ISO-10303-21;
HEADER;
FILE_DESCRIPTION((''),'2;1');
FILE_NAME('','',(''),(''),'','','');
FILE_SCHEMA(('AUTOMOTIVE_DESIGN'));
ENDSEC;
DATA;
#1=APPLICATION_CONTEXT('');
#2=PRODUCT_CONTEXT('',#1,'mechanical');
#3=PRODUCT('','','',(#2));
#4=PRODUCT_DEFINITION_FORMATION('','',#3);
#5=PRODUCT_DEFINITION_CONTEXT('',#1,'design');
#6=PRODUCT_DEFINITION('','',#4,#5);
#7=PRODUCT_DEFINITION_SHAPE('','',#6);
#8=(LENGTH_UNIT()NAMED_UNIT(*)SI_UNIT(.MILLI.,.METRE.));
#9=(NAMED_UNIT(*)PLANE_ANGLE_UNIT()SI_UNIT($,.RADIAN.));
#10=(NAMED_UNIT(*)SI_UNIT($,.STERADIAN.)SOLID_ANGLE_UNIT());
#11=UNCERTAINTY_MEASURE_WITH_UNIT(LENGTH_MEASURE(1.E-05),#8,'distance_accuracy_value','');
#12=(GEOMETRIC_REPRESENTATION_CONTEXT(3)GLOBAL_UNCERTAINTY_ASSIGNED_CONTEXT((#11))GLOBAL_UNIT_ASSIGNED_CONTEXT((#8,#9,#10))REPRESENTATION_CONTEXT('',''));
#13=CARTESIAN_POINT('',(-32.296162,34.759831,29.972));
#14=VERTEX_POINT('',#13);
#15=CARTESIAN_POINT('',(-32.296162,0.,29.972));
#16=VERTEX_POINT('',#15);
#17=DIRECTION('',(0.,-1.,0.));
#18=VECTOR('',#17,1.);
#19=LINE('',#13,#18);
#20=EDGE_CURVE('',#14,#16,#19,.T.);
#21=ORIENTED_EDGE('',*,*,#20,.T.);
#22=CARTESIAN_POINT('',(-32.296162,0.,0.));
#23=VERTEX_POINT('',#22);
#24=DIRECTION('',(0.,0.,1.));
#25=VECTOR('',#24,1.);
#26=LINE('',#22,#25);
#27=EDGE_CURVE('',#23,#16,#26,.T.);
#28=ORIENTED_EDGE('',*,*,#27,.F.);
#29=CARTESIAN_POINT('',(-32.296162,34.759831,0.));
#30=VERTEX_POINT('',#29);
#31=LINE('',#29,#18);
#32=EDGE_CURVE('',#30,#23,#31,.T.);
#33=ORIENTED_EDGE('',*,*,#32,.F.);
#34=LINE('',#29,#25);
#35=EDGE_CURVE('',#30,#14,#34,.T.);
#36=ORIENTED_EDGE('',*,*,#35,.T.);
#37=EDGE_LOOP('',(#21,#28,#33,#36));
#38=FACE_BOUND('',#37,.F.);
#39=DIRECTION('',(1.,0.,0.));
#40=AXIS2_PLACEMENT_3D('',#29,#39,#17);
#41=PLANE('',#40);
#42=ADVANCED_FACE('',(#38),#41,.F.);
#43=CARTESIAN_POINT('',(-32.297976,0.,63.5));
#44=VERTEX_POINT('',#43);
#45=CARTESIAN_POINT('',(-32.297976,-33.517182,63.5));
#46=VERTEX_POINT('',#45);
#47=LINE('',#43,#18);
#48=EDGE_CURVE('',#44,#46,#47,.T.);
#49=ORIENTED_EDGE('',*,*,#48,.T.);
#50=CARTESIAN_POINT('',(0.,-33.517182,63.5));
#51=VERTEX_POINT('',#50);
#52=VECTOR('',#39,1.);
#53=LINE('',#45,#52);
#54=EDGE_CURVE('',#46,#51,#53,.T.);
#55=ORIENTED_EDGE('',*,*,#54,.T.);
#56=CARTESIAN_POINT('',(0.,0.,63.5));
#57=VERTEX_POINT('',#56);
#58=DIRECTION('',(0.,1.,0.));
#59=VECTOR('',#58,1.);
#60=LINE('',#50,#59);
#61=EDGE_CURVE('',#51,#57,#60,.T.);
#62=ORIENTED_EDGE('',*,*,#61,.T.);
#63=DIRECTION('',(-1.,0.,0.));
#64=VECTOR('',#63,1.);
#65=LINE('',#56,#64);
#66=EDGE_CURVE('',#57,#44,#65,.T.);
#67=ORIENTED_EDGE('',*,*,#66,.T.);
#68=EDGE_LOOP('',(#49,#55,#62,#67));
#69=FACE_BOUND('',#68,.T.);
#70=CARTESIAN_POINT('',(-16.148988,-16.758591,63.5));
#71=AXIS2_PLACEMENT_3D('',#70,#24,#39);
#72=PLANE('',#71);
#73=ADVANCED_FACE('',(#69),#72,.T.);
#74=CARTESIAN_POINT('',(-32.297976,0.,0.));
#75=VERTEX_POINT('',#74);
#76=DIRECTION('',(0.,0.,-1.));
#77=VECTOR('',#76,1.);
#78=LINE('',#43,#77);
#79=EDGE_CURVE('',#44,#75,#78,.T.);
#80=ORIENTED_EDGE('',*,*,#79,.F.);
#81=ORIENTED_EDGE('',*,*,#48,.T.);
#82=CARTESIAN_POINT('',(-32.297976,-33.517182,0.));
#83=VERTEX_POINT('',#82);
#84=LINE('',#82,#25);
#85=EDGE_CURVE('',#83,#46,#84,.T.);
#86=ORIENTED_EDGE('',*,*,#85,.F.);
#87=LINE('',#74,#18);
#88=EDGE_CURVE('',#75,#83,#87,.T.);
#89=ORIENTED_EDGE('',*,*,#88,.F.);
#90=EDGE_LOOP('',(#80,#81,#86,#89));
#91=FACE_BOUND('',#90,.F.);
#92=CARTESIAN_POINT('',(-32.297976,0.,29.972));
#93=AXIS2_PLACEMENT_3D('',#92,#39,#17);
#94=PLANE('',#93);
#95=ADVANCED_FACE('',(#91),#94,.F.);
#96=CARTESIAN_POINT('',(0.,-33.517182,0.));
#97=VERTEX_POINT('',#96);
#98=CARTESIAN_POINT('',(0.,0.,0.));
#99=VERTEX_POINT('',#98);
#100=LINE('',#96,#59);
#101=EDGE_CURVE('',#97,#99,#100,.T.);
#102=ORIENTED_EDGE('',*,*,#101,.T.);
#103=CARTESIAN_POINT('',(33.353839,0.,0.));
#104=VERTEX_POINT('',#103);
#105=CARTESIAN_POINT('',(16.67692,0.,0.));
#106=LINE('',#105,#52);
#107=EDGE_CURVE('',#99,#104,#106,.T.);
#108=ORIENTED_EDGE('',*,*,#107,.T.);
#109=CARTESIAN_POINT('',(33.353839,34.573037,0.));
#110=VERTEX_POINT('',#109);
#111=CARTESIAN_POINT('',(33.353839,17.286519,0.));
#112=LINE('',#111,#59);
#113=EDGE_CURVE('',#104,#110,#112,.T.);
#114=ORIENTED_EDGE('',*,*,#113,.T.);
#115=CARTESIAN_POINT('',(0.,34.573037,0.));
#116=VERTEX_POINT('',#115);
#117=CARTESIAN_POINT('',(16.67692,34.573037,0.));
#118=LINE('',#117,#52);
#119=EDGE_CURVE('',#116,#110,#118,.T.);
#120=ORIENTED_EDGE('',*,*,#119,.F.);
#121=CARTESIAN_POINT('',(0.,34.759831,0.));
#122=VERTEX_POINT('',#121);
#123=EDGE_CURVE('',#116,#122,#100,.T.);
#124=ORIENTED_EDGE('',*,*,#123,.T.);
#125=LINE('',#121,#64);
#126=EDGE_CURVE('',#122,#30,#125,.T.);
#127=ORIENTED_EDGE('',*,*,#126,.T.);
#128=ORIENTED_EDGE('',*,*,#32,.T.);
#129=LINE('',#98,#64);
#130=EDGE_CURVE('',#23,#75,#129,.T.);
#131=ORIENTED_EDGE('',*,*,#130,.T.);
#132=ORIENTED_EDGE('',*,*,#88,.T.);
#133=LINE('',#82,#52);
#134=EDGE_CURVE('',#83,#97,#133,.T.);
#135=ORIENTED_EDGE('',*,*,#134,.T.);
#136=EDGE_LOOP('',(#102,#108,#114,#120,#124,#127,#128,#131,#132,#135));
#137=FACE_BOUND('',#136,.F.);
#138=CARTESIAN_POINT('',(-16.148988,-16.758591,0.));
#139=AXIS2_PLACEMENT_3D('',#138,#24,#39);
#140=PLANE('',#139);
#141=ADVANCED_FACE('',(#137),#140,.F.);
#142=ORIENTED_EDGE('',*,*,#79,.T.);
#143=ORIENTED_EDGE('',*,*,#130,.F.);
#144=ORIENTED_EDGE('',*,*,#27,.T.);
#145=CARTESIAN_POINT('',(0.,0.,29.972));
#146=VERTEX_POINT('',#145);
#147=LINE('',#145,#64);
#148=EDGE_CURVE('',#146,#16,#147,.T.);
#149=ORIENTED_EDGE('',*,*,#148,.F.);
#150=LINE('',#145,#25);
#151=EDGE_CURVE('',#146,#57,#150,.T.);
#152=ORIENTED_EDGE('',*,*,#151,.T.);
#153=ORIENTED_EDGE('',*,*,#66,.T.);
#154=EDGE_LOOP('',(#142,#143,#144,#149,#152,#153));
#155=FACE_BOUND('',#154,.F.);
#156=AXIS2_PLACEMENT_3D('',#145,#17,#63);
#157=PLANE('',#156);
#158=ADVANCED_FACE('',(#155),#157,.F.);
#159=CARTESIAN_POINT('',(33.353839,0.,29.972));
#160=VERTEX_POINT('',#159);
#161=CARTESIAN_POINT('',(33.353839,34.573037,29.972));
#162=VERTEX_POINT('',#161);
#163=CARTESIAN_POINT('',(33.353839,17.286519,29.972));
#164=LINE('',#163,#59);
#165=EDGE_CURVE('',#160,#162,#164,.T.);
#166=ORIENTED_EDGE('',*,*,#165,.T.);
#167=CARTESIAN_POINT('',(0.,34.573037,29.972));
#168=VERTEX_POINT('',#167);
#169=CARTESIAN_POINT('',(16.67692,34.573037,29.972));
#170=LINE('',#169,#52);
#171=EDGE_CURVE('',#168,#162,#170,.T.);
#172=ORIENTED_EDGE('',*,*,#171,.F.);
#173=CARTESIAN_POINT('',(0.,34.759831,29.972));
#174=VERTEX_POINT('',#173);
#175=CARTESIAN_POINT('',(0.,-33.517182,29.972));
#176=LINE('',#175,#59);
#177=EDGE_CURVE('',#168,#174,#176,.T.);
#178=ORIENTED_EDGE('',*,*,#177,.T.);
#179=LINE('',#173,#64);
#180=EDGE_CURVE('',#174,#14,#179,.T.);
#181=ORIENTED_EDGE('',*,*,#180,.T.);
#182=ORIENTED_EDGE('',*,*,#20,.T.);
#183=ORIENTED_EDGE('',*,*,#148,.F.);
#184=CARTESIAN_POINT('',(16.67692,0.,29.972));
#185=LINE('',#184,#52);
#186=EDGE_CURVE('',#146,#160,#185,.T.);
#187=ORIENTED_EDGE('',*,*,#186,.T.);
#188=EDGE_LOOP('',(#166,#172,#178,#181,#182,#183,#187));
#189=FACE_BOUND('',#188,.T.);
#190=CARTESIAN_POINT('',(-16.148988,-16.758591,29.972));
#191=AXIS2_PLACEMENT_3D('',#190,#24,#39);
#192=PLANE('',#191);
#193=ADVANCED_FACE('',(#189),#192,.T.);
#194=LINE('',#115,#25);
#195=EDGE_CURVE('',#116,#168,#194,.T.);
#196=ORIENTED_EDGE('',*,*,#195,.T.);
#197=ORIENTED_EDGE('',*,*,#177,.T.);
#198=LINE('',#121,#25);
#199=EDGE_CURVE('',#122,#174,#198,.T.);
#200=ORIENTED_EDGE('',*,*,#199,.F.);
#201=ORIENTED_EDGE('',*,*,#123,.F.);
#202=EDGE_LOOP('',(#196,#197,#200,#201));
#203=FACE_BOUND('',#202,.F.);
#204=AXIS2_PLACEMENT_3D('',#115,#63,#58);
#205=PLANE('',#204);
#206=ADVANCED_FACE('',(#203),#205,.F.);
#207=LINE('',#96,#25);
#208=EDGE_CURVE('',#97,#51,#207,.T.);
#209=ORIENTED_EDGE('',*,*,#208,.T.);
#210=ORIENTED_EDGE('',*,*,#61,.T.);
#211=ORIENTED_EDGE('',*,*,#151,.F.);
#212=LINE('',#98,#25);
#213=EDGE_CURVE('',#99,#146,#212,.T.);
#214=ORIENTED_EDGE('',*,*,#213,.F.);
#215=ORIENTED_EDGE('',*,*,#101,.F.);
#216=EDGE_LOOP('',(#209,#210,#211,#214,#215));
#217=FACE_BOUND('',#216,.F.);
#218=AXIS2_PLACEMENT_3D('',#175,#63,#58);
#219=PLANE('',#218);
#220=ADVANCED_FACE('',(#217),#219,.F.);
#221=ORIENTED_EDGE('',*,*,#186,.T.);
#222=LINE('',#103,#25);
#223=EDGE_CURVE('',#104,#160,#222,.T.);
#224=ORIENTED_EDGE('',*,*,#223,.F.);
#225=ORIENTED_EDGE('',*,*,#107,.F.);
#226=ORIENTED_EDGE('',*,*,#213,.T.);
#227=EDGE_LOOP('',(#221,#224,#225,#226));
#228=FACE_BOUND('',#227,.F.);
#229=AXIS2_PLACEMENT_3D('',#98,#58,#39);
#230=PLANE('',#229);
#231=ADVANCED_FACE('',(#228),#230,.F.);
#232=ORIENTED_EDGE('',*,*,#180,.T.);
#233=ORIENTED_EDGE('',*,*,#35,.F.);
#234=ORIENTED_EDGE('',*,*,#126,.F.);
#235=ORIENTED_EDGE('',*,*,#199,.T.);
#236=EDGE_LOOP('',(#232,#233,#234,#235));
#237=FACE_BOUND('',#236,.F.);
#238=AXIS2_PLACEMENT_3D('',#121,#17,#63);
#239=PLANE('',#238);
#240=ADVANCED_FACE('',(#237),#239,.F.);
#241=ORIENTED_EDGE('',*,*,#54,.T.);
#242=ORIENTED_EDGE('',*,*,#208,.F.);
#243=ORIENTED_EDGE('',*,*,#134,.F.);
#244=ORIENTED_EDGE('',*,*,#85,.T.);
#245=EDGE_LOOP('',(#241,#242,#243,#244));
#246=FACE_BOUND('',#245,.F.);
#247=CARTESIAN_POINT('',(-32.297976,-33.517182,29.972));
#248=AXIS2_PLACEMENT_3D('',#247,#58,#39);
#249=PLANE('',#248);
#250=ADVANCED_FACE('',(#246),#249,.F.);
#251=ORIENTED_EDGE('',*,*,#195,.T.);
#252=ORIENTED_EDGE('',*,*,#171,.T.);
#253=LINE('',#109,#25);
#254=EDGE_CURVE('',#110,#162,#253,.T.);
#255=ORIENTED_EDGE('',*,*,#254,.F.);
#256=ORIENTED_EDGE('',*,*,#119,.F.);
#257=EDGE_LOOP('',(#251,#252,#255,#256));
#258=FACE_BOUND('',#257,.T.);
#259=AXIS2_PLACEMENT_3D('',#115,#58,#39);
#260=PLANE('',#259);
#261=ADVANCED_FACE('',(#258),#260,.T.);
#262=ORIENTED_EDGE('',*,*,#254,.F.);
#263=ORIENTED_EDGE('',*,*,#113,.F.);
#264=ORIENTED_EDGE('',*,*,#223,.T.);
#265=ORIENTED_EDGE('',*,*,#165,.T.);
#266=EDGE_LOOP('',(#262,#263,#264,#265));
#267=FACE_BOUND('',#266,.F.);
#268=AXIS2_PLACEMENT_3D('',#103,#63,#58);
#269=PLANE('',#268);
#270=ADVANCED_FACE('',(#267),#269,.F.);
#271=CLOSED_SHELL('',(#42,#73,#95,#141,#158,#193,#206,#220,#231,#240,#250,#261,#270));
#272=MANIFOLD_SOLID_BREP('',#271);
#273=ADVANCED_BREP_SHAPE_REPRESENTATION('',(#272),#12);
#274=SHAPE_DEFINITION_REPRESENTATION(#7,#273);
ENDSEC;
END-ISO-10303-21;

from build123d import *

# Parameters (mm, degrees)
F0_W     = 33.3538390696
F0_H     = 34.5730371773
F1_DEPTH = 29.972
F3_DEPTH = 33.528


with BuildPart() as f1:
    # F0 (on Top) → F1 (new body)
    with BuildSketch(Plane.XY):
        Polygon((0, -33.5171818733), (0, 0), (-32.2961620986, 0), (-32.297976315, 0), (-32.297976315, -33.5171818733), align=None)
        Polygon((-32.2961620986, 0), (0, 0), (0, 34.5730371773), (0, 34.7598306835), (-32.2961620986, 34.7598306835), align=None)
        with Locations((16.6769195348, 17.2865185887)):
            Rectangle(F0_W, F0_H)
    extrude(amount=F1_DEPTH)

    # F2 (on face) → F3 (join)
    with BuildSketch(Plane.XY.offset(29.972)):
        Polygon((-32.297976315, 0), (-32.297976315, -33.5171818733), (0, -33.5171818733), (0, 0), (-32.2961620986, 0), align=None)
    extrude(amount=F3_DEPTH)


solid = f1.part
